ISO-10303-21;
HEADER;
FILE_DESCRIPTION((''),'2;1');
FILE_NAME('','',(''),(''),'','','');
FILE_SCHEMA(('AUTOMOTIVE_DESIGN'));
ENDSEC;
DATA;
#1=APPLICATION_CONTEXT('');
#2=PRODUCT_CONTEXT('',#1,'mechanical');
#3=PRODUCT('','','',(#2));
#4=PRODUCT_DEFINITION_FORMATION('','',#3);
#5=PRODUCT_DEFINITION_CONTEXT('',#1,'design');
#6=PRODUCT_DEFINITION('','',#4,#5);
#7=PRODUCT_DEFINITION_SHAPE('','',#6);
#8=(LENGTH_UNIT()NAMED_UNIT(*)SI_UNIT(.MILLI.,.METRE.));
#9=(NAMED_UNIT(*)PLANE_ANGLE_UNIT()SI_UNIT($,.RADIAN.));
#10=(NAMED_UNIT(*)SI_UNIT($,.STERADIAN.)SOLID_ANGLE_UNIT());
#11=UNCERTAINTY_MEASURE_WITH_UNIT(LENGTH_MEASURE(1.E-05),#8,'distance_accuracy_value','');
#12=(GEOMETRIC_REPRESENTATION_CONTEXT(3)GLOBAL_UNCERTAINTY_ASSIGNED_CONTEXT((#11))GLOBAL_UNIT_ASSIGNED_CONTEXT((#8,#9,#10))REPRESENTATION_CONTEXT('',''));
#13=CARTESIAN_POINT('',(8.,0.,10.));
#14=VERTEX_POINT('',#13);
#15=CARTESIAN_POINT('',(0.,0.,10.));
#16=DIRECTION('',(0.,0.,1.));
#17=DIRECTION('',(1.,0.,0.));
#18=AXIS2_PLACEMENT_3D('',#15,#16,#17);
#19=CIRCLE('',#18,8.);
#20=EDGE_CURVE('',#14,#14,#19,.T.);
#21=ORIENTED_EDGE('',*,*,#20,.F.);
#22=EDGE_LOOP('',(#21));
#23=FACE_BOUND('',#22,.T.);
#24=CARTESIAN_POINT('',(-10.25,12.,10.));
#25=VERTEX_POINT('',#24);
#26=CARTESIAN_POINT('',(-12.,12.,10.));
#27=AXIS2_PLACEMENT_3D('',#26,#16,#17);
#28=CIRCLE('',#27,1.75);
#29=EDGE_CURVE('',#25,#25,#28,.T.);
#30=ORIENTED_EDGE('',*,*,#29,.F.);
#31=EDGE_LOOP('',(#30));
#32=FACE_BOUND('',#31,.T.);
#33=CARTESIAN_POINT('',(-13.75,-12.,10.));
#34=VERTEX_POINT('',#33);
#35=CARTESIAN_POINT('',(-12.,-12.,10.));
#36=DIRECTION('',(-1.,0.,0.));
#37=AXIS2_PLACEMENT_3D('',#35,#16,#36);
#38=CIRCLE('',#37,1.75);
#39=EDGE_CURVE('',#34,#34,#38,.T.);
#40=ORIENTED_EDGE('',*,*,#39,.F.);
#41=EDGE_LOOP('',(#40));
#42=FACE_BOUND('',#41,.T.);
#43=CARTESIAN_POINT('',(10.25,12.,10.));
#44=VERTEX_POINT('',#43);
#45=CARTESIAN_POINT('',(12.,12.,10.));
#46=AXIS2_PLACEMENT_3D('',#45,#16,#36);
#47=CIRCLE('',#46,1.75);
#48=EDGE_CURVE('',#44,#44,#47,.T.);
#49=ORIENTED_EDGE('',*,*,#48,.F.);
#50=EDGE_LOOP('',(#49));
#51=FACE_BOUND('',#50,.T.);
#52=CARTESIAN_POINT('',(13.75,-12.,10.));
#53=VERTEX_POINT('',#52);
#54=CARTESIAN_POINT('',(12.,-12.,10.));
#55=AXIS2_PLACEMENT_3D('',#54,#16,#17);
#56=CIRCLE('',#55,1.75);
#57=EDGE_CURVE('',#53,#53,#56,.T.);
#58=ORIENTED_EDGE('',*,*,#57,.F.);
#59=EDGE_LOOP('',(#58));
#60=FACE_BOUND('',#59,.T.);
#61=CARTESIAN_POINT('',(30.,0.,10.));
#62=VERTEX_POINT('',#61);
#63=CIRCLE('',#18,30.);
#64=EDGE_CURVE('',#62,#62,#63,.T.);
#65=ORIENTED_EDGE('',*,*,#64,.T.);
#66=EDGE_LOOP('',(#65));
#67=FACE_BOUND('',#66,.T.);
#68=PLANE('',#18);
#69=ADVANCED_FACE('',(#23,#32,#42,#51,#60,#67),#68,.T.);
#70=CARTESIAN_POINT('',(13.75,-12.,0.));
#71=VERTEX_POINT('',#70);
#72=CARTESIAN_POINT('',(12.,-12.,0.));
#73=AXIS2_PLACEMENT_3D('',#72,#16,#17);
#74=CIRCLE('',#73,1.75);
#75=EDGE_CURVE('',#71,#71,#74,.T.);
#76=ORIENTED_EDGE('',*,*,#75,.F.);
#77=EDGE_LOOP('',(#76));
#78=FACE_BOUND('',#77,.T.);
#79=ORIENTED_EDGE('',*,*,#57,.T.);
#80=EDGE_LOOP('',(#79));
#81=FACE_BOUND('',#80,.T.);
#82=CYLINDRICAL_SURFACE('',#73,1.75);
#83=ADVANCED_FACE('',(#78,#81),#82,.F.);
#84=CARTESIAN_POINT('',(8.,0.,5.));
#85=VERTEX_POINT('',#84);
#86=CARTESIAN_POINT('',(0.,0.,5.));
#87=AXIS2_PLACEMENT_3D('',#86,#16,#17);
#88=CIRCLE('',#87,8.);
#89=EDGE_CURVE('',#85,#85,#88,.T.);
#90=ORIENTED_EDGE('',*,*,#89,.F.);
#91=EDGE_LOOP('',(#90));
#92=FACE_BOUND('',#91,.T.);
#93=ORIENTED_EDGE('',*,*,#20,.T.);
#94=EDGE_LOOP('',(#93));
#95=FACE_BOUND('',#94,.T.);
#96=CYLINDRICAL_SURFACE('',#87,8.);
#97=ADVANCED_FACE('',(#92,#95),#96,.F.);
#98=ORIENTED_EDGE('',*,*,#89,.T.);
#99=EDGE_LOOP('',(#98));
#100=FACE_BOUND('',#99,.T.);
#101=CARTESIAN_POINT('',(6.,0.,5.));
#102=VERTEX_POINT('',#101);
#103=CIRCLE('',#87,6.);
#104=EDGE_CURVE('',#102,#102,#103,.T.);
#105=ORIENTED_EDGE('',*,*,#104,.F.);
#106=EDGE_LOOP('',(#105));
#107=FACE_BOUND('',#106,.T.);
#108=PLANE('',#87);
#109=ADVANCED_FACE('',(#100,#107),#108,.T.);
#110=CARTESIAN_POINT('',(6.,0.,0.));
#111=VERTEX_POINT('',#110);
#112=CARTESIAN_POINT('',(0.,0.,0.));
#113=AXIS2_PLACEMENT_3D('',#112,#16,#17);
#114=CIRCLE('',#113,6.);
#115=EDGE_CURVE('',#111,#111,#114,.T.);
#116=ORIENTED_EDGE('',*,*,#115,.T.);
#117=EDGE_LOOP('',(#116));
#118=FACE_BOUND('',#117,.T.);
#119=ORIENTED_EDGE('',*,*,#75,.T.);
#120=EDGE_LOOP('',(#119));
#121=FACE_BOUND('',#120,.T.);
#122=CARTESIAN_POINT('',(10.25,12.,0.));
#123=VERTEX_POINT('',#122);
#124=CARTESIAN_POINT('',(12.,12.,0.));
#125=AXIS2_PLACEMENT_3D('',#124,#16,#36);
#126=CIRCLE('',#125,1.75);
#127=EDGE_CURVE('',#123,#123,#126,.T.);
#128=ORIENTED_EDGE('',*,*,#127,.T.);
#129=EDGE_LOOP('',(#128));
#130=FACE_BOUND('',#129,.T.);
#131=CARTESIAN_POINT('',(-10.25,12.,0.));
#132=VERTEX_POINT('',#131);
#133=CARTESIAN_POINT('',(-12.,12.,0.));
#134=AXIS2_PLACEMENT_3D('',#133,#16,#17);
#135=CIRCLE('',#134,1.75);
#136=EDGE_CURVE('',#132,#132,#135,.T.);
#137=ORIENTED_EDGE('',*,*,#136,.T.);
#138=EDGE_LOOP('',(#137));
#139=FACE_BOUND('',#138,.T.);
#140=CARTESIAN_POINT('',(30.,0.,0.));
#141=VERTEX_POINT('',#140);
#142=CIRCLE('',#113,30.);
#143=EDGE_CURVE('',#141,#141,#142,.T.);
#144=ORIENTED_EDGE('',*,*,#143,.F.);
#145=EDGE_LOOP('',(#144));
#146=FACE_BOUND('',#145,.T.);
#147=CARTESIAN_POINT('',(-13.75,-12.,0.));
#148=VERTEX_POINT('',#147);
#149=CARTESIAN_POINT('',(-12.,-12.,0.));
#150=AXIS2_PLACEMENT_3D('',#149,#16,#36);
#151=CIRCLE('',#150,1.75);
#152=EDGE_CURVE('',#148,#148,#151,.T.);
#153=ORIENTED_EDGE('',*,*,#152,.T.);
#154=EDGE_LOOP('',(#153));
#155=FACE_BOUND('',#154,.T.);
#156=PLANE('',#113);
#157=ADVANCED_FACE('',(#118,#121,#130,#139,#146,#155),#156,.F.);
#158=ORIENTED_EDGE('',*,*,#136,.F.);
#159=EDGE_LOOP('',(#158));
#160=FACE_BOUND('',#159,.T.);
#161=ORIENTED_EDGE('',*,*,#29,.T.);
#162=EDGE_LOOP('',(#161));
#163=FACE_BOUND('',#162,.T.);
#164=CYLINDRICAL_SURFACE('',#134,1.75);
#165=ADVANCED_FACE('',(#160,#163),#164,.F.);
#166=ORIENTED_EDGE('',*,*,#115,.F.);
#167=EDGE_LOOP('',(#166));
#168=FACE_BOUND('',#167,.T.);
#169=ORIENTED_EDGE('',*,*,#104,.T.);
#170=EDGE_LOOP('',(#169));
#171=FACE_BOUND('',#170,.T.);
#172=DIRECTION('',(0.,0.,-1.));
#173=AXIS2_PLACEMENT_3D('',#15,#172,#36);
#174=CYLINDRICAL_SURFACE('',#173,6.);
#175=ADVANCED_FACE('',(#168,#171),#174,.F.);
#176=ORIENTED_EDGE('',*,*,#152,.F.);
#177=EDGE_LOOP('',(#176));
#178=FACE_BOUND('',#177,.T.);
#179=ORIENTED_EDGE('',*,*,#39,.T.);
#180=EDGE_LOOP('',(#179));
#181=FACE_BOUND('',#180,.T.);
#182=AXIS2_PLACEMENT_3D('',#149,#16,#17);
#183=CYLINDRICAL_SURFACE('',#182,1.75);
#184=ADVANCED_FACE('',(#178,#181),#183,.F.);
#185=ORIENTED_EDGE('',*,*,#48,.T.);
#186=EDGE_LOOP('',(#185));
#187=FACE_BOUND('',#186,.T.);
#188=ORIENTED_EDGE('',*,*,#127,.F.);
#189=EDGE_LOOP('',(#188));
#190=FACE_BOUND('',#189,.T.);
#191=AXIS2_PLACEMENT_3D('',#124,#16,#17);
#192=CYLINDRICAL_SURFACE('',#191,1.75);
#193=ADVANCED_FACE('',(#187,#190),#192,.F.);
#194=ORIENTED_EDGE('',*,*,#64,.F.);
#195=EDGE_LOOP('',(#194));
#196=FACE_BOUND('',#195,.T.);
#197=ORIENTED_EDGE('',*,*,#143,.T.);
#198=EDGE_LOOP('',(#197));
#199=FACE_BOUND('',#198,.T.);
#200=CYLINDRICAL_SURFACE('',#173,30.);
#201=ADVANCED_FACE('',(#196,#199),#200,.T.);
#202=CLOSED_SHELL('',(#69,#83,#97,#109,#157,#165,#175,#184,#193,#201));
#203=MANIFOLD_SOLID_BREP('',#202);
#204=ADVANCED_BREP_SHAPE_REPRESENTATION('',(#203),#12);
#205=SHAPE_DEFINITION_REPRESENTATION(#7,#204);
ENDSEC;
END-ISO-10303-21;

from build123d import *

# Parameters (mm, degrees)
SKETCH1_R           = 30
SKETCH1_R_2         = 6
BOSS_EXTRUDE1_DEPTH = 10
SKETCH2_R           = 8
CUT_EXTRUDE1_DEPTH  = 5
SKETCH3_R           = 1.75
CUT_EXTRUDE2_DEPTH  = 44.588989435


with BuildPart() as part:
    # Sketch1 → Boss-Extrude1 (new body)
    with BuildSketch(Plane.XY):
        Circle(SKETCH1_R)
        Circle(SKETCH1_R_2, mode=Mode.SUBTRACT)
    extrude(amount=BOSS_EXTRUDE1_DEPTH)

    # Sketch2 → Cut-Extrude1 (cut)
    with BuildSketch(Plane.XY.offset(10)):
        Circle(SKETCH2_R)
    extrude(amount=-CUT_EXTRUDE1_DEPTH, mode=Mode.SUBTRACT)

    # Sketch3 → Cut-Extrude2 (cut, through all)
    with BuildSketch(Plane.XY.offset(10)):
        with Locations((-12, 12)):
            Circle(SKETCH3_R)
        with Locations(Location((12, 12, 0), (0, 0, 180))):
            Circle(SKETCH3_R)
        with Locations((12, -12)):
            Circle(SKETCH3_R)
        with Locations(Location((-12, -12, 0), (0, 0, 180))):
            Circle(SKETCH3_R)
    extrude(amount=-CUT_EXTRUDE2_DEPTH, mode=Mode.SUBTRACT)


solid = part.part
